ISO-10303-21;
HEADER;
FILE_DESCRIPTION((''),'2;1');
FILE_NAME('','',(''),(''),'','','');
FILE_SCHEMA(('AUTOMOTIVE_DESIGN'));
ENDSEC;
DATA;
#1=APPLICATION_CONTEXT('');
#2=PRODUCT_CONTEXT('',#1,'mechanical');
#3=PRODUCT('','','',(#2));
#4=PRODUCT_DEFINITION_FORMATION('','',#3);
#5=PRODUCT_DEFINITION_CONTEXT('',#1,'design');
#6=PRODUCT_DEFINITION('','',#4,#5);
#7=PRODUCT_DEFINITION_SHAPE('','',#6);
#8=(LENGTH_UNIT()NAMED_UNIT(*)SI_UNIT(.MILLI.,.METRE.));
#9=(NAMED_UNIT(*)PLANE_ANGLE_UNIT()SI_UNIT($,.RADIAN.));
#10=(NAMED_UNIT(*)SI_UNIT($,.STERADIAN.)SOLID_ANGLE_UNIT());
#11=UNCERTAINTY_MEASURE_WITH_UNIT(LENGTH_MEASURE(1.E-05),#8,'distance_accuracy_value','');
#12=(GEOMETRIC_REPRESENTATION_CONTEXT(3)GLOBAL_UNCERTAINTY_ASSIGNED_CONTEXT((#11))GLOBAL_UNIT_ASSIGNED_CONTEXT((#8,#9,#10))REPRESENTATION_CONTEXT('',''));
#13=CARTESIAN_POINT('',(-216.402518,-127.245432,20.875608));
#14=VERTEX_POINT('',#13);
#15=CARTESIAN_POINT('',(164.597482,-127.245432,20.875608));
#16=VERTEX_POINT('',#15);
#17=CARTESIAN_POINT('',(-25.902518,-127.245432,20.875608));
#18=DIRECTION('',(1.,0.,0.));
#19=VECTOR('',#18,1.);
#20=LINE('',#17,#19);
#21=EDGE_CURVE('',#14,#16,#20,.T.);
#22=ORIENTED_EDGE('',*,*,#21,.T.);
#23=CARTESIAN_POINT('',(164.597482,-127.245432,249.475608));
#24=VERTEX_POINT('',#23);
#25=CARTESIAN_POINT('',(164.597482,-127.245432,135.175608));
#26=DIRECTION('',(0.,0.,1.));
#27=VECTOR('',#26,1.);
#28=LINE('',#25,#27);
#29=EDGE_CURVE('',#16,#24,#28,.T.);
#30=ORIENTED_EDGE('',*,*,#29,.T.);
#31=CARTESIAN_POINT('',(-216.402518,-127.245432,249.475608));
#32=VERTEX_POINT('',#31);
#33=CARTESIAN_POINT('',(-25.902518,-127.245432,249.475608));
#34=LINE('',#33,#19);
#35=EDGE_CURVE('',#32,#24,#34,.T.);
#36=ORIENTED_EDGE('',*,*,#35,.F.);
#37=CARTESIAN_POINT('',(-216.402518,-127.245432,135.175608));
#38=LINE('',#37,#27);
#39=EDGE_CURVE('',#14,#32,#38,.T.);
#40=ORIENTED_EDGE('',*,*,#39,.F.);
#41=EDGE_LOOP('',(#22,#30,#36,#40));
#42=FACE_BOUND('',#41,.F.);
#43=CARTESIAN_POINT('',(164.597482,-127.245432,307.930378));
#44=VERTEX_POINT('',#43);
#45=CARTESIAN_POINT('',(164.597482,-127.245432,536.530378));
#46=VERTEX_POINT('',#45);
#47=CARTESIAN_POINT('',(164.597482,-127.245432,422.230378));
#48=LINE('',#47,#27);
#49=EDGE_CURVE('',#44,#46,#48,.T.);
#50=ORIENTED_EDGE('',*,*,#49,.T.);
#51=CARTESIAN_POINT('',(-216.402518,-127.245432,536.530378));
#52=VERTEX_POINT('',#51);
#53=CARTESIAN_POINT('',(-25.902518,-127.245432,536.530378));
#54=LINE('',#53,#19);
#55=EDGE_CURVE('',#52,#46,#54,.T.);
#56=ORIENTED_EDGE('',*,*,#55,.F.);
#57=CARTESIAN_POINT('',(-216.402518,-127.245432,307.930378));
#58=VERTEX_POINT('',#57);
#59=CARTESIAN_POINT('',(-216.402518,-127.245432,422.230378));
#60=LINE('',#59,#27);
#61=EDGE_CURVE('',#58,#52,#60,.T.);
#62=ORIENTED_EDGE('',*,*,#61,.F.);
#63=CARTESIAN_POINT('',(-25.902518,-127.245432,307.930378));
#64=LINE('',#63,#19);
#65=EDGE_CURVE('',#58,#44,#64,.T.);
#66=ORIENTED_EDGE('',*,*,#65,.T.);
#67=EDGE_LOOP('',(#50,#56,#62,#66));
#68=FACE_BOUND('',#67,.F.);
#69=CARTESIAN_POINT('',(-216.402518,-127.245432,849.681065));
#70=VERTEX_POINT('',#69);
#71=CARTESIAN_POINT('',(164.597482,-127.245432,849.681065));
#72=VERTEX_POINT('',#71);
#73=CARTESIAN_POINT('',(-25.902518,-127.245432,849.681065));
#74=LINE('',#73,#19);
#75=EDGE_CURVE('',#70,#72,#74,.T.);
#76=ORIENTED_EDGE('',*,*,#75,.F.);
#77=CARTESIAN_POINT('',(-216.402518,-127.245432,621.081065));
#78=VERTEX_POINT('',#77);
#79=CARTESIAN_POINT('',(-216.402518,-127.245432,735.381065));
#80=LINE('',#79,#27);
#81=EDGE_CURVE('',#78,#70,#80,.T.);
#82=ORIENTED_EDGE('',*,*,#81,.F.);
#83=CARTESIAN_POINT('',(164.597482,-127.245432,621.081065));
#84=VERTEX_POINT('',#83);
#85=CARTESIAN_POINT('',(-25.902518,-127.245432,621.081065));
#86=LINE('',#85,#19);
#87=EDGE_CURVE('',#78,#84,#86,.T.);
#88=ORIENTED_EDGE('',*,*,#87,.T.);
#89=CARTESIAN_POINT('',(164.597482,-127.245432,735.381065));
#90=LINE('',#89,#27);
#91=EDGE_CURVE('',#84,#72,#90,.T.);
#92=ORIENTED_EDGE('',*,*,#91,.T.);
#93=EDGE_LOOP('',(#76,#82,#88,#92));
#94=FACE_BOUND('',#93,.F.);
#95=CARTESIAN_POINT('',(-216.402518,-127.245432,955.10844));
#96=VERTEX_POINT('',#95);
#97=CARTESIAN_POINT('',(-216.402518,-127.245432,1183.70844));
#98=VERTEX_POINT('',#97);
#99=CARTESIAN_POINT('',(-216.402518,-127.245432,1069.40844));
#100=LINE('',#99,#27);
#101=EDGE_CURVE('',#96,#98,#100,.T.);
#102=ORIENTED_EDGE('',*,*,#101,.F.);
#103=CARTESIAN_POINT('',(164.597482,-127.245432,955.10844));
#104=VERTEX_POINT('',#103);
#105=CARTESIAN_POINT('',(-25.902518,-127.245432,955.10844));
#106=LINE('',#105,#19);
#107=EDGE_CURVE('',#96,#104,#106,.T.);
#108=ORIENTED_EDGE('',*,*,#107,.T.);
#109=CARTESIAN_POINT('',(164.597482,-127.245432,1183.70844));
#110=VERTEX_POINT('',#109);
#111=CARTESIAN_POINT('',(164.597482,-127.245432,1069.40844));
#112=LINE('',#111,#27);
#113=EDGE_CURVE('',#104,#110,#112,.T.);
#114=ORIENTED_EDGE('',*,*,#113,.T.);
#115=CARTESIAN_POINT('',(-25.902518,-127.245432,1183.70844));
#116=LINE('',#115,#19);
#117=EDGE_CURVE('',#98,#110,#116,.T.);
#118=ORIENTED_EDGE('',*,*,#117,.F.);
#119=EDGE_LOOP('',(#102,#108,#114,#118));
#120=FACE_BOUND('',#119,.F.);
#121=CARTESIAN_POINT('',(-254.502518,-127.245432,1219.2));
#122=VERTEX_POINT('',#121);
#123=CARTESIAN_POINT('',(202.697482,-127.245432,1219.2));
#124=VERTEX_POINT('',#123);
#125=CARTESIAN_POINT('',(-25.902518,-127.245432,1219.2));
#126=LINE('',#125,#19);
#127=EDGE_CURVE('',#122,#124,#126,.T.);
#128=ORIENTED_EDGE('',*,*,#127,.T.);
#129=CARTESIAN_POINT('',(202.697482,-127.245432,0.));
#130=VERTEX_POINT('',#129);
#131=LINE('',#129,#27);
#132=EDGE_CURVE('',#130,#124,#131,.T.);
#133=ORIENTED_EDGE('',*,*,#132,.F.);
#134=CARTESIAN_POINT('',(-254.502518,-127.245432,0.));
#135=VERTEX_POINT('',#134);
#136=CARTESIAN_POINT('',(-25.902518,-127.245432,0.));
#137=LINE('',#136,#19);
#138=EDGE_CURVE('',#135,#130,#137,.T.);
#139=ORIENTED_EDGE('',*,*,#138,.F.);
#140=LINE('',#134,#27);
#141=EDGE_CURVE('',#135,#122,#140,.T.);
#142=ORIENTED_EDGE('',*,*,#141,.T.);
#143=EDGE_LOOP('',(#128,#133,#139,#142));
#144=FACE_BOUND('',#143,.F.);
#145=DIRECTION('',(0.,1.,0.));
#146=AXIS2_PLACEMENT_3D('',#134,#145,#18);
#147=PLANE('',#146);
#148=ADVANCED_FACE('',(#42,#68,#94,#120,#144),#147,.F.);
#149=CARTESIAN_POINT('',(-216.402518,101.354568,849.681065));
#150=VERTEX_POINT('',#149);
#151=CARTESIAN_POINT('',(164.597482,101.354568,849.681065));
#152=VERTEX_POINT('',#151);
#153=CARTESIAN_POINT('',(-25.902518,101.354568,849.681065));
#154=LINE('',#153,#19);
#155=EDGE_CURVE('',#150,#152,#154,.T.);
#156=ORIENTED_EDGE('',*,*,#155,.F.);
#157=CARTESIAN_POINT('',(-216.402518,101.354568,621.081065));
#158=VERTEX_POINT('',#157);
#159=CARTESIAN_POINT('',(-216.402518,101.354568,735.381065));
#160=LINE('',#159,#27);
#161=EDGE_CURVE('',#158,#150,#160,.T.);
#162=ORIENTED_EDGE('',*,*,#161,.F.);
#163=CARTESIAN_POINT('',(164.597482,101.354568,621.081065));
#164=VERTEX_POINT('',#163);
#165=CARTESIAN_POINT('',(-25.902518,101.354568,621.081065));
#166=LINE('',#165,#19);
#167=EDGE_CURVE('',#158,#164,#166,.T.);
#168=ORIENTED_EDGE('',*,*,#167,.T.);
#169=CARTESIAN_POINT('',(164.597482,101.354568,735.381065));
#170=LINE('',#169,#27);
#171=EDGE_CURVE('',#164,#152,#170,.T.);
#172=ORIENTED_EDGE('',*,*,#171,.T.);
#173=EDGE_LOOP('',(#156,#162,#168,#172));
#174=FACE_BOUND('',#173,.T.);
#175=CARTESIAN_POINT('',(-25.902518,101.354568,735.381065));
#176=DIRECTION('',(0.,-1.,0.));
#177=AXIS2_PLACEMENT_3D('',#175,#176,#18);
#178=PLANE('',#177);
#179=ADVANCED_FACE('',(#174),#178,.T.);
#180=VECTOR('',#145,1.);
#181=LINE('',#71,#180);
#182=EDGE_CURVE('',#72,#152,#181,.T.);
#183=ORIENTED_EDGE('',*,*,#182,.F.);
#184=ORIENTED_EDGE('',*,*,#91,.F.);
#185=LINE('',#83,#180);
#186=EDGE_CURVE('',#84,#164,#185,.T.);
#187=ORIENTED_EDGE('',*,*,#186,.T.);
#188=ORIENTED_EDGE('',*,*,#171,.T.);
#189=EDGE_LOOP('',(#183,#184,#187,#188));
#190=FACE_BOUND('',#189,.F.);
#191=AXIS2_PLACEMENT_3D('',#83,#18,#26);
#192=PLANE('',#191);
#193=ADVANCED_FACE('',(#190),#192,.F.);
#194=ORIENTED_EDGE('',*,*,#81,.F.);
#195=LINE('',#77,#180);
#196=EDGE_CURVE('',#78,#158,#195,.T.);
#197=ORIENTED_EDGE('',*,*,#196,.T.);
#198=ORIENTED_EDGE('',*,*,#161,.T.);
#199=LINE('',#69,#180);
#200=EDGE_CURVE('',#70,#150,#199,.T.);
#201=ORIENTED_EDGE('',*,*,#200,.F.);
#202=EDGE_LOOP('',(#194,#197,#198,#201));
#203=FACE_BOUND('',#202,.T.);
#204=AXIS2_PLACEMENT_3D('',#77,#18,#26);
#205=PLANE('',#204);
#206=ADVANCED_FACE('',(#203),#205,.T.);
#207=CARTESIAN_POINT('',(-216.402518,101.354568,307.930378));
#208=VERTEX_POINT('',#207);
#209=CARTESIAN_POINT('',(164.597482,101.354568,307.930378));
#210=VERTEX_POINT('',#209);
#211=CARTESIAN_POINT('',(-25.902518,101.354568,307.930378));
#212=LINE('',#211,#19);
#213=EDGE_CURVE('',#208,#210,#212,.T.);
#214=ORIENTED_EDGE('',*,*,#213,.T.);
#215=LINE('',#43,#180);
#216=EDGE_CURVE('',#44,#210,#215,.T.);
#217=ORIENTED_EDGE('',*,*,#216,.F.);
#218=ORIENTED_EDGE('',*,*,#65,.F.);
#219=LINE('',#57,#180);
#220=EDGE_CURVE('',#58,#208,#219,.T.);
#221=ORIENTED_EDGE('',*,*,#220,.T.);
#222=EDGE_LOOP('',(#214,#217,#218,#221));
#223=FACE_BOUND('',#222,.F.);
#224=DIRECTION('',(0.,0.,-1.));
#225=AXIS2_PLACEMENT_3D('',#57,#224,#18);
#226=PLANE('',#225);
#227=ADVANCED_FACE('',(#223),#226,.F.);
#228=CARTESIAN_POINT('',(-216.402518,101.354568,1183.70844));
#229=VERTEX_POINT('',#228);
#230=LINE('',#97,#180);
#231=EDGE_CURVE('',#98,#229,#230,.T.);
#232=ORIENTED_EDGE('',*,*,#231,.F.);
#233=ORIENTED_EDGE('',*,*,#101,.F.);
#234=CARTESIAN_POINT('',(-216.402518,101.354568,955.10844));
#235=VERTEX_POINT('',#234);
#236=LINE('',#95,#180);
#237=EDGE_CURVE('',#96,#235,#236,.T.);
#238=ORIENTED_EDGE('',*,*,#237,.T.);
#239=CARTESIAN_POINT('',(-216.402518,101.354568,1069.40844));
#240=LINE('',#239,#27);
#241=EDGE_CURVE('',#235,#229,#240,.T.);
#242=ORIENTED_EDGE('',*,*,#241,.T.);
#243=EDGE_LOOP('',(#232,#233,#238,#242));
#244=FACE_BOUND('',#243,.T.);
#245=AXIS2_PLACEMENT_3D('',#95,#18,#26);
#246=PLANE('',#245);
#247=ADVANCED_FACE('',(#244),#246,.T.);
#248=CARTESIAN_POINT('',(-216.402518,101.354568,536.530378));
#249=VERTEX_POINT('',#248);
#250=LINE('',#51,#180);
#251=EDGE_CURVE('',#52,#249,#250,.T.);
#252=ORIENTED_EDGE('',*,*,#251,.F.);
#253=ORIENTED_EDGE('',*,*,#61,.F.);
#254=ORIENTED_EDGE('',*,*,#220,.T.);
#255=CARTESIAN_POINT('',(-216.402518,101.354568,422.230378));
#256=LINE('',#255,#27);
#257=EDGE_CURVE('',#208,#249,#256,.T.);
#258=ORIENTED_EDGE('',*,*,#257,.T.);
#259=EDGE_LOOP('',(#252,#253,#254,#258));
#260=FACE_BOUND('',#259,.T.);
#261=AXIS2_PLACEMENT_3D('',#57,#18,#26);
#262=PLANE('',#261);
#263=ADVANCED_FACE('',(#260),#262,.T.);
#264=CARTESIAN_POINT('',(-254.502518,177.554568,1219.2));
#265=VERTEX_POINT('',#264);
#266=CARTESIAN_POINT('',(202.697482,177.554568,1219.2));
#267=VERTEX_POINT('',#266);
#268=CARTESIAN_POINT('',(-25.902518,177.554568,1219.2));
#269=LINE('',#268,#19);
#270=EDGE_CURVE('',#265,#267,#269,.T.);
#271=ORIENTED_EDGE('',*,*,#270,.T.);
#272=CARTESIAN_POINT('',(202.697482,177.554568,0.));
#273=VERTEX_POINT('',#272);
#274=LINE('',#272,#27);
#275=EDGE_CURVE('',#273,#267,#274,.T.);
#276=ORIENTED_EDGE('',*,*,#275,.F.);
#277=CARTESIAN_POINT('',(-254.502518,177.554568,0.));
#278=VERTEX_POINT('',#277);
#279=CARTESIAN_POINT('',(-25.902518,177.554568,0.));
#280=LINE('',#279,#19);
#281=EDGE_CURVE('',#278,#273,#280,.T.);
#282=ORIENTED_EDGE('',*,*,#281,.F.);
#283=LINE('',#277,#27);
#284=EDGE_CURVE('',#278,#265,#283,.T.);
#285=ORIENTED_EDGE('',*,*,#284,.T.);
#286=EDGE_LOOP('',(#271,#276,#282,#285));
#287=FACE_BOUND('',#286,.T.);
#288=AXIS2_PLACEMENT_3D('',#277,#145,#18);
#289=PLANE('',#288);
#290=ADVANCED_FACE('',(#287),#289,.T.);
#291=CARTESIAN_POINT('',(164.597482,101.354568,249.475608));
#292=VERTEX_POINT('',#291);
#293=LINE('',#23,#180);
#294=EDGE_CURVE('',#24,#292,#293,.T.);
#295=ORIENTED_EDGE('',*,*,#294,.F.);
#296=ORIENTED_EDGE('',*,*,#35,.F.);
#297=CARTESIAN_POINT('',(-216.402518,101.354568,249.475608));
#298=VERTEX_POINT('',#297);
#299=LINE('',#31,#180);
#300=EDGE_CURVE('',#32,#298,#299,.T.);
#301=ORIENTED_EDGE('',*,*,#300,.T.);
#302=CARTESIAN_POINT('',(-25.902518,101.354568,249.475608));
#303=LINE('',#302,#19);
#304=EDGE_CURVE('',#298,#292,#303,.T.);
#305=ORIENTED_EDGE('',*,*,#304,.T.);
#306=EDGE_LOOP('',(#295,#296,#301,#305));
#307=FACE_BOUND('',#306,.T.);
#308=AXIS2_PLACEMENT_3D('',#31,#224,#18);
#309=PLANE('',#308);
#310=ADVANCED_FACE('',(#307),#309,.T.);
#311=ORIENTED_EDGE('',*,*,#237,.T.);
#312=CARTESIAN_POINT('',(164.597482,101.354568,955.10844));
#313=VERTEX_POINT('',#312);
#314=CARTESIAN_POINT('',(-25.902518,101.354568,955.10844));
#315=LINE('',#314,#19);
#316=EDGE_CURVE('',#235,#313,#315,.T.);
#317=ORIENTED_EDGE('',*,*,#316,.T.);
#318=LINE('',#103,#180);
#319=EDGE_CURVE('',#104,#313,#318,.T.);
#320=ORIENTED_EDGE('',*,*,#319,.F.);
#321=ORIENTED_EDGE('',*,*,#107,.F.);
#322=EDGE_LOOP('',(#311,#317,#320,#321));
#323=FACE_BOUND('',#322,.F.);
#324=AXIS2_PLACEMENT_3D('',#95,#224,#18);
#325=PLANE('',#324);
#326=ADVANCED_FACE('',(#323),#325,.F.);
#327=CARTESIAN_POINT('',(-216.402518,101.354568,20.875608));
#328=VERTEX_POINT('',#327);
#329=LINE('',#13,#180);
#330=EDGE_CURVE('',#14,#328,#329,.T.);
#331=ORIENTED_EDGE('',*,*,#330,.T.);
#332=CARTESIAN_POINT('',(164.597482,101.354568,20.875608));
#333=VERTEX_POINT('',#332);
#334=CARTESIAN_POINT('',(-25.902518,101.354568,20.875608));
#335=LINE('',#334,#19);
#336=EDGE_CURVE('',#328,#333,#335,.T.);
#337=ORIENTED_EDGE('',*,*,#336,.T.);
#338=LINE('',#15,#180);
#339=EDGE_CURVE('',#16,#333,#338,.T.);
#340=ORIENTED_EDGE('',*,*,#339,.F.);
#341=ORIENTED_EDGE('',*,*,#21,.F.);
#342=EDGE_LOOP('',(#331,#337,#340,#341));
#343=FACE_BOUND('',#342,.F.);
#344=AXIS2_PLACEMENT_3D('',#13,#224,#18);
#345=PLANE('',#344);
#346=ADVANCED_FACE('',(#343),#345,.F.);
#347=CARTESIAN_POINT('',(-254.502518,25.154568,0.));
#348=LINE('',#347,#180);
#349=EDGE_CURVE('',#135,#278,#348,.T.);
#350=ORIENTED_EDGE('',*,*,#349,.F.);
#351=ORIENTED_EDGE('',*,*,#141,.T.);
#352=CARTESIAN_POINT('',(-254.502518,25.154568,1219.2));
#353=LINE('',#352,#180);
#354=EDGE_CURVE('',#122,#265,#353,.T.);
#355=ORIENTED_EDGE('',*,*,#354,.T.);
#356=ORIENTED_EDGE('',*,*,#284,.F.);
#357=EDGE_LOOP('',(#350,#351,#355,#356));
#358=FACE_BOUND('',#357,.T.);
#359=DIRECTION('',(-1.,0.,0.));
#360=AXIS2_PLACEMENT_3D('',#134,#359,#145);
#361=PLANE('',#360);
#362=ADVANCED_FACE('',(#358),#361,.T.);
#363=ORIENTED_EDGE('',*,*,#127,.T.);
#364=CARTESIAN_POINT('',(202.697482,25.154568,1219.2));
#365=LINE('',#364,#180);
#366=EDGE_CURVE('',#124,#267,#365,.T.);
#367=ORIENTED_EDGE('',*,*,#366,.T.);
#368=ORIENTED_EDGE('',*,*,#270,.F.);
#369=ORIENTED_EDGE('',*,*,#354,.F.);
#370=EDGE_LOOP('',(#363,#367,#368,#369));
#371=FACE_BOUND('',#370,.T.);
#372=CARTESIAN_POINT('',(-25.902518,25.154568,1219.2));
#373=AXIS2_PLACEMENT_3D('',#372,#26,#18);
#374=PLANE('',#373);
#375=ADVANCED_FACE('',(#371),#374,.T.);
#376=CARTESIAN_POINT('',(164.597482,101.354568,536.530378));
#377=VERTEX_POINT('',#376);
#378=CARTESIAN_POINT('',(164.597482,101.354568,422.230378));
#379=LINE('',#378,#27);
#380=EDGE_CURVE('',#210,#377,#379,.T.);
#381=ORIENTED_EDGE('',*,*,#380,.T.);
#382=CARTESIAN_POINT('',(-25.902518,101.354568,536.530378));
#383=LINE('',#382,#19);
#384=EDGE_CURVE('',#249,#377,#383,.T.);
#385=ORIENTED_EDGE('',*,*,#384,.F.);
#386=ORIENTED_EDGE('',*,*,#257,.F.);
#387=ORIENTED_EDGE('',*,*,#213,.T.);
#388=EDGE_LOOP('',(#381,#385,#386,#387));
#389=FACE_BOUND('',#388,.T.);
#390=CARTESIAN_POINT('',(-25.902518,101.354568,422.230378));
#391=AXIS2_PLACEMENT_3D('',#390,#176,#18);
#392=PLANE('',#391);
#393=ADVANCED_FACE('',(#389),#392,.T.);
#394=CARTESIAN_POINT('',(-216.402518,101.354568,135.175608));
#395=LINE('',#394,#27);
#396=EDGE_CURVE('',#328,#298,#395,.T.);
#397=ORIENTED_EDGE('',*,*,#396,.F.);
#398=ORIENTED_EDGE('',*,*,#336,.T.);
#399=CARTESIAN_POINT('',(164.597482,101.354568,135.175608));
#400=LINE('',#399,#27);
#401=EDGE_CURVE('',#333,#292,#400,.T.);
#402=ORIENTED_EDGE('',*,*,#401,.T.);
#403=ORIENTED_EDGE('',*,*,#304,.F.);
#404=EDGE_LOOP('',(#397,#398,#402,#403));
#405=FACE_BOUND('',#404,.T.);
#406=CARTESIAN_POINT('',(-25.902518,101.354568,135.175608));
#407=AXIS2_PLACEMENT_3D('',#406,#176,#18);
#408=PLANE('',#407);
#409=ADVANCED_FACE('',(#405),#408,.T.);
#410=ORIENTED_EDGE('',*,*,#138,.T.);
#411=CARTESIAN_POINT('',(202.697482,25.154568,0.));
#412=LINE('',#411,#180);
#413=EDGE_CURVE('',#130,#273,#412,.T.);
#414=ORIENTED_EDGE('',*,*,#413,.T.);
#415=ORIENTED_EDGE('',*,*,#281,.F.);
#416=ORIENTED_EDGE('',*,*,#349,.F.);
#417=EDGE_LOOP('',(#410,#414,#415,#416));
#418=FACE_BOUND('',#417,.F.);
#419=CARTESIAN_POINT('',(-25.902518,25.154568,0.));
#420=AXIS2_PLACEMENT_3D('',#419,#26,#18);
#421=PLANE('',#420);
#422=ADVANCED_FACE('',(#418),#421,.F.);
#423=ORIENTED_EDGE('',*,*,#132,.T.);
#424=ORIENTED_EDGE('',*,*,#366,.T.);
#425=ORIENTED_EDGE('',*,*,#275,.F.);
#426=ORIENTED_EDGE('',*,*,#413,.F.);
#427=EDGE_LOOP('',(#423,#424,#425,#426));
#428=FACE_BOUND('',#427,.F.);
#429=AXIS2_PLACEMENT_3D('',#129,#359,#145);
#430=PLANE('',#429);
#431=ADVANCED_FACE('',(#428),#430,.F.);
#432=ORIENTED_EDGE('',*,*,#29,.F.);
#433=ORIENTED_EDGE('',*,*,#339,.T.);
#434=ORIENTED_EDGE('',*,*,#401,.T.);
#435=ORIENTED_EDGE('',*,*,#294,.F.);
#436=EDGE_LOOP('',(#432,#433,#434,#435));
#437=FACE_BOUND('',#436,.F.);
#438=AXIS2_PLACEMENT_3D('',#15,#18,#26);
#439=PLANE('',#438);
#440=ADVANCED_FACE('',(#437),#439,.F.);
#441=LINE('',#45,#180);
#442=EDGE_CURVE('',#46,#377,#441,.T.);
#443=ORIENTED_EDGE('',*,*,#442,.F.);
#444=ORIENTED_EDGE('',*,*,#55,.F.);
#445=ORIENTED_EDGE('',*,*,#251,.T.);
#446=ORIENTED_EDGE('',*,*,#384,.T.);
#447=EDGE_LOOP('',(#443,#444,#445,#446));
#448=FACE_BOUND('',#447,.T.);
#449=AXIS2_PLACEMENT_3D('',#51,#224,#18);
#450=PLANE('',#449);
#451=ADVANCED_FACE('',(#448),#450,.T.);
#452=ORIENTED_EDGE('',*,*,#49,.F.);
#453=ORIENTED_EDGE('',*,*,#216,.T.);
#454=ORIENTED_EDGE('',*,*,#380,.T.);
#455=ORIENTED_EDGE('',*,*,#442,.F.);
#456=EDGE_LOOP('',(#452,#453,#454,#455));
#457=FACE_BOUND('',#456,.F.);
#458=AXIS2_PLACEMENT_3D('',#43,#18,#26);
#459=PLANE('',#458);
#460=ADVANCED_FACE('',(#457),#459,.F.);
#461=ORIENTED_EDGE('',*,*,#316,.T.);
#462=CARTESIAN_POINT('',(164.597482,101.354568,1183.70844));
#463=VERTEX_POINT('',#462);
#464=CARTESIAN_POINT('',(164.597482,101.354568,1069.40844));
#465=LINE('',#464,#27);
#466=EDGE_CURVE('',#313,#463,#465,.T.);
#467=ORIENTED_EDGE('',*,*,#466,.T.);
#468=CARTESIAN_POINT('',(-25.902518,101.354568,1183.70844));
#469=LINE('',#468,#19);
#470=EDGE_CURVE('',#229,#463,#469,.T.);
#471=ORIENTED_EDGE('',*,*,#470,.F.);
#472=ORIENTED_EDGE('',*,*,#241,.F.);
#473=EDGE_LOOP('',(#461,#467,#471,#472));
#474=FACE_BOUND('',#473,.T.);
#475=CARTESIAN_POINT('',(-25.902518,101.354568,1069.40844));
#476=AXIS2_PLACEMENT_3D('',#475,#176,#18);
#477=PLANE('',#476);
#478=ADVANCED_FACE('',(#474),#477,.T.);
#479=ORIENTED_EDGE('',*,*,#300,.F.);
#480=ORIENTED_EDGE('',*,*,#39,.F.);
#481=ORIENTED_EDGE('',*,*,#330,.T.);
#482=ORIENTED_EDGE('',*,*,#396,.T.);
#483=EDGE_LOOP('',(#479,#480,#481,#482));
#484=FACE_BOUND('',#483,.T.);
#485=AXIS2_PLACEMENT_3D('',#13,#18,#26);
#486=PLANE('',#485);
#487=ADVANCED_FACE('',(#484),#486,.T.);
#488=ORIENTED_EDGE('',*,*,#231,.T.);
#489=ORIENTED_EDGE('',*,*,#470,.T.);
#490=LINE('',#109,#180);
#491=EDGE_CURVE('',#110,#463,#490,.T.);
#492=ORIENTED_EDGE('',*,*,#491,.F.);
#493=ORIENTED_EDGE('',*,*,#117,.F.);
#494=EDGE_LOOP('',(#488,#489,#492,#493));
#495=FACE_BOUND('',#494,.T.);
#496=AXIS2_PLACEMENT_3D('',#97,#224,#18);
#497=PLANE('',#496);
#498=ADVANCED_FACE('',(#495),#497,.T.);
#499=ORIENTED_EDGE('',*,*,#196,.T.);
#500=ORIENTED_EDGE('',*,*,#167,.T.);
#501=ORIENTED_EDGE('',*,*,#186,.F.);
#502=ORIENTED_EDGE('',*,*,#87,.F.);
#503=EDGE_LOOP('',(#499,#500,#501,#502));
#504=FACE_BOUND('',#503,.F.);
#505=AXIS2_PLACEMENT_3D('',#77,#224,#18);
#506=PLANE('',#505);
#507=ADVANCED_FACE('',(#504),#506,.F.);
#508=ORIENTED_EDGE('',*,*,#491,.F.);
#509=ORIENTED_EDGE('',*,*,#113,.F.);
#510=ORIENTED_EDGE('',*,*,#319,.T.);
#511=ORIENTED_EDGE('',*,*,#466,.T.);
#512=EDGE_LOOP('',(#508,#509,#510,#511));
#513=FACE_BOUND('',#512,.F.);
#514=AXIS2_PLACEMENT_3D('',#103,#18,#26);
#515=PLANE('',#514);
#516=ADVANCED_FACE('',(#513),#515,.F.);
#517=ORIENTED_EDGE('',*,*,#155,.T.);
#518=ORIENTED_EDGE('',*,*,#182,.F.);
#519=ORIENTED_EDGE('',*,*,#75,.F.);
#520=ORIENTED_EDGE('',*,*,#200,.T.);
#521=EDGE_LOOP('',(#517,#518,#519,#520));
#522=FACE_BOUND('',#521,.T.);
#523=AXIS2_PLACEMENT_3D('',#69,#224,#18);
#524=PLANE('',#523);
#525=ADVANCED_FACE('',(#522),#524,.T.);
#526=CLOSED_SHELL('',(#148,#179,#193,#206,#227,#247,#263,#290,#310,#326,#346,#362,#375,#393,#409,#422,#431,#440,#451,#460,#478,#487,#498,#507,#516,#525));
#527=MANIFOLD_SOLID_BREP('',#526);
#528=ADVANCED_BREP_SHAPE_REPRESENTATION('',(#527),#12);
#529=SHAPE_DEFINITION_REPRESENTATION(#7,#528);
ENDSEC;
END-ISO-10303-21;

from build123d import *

# Parameters (mm, degrees)
F0_W     = 457.2
F0_H     = 304.8
F1_DEPTH = 1219.2
F2_W     = 381
F2_H     = 228.6
F3_DEPTH = 228.6


with BuildPart() as f1:
    # F0 (on Top) → F1 (new body)
    with BuildSketch(Plane.XY):
        with Locations((-25.902518, 25.154568)):
            Rectangle(F0_W, F0_H)
    extrude(amount=F1_DEPTH)

    # F2 (on face) → F3 (cut)
    with BuildSketch(Plane.XZ.offset(127.245432)):
        with Locations((-25.902518, 1069.40844)):
            Rectangle(F2_W, F2_H)
        with Locations((-25.902518, 735.381065)):
            Rectangle(F2_W, F2_H)
        with Locations((-25.902518, 422.230378)):
            Rectangle(F2_W, F2_H)
        with Locations((-25.902518, 135.175608)):
            Rectangle(F2_W, F2_H)
    extrude(amount=-F3_DEPTH, mode=Mode.SUBTRACT)


solid = f1.part
